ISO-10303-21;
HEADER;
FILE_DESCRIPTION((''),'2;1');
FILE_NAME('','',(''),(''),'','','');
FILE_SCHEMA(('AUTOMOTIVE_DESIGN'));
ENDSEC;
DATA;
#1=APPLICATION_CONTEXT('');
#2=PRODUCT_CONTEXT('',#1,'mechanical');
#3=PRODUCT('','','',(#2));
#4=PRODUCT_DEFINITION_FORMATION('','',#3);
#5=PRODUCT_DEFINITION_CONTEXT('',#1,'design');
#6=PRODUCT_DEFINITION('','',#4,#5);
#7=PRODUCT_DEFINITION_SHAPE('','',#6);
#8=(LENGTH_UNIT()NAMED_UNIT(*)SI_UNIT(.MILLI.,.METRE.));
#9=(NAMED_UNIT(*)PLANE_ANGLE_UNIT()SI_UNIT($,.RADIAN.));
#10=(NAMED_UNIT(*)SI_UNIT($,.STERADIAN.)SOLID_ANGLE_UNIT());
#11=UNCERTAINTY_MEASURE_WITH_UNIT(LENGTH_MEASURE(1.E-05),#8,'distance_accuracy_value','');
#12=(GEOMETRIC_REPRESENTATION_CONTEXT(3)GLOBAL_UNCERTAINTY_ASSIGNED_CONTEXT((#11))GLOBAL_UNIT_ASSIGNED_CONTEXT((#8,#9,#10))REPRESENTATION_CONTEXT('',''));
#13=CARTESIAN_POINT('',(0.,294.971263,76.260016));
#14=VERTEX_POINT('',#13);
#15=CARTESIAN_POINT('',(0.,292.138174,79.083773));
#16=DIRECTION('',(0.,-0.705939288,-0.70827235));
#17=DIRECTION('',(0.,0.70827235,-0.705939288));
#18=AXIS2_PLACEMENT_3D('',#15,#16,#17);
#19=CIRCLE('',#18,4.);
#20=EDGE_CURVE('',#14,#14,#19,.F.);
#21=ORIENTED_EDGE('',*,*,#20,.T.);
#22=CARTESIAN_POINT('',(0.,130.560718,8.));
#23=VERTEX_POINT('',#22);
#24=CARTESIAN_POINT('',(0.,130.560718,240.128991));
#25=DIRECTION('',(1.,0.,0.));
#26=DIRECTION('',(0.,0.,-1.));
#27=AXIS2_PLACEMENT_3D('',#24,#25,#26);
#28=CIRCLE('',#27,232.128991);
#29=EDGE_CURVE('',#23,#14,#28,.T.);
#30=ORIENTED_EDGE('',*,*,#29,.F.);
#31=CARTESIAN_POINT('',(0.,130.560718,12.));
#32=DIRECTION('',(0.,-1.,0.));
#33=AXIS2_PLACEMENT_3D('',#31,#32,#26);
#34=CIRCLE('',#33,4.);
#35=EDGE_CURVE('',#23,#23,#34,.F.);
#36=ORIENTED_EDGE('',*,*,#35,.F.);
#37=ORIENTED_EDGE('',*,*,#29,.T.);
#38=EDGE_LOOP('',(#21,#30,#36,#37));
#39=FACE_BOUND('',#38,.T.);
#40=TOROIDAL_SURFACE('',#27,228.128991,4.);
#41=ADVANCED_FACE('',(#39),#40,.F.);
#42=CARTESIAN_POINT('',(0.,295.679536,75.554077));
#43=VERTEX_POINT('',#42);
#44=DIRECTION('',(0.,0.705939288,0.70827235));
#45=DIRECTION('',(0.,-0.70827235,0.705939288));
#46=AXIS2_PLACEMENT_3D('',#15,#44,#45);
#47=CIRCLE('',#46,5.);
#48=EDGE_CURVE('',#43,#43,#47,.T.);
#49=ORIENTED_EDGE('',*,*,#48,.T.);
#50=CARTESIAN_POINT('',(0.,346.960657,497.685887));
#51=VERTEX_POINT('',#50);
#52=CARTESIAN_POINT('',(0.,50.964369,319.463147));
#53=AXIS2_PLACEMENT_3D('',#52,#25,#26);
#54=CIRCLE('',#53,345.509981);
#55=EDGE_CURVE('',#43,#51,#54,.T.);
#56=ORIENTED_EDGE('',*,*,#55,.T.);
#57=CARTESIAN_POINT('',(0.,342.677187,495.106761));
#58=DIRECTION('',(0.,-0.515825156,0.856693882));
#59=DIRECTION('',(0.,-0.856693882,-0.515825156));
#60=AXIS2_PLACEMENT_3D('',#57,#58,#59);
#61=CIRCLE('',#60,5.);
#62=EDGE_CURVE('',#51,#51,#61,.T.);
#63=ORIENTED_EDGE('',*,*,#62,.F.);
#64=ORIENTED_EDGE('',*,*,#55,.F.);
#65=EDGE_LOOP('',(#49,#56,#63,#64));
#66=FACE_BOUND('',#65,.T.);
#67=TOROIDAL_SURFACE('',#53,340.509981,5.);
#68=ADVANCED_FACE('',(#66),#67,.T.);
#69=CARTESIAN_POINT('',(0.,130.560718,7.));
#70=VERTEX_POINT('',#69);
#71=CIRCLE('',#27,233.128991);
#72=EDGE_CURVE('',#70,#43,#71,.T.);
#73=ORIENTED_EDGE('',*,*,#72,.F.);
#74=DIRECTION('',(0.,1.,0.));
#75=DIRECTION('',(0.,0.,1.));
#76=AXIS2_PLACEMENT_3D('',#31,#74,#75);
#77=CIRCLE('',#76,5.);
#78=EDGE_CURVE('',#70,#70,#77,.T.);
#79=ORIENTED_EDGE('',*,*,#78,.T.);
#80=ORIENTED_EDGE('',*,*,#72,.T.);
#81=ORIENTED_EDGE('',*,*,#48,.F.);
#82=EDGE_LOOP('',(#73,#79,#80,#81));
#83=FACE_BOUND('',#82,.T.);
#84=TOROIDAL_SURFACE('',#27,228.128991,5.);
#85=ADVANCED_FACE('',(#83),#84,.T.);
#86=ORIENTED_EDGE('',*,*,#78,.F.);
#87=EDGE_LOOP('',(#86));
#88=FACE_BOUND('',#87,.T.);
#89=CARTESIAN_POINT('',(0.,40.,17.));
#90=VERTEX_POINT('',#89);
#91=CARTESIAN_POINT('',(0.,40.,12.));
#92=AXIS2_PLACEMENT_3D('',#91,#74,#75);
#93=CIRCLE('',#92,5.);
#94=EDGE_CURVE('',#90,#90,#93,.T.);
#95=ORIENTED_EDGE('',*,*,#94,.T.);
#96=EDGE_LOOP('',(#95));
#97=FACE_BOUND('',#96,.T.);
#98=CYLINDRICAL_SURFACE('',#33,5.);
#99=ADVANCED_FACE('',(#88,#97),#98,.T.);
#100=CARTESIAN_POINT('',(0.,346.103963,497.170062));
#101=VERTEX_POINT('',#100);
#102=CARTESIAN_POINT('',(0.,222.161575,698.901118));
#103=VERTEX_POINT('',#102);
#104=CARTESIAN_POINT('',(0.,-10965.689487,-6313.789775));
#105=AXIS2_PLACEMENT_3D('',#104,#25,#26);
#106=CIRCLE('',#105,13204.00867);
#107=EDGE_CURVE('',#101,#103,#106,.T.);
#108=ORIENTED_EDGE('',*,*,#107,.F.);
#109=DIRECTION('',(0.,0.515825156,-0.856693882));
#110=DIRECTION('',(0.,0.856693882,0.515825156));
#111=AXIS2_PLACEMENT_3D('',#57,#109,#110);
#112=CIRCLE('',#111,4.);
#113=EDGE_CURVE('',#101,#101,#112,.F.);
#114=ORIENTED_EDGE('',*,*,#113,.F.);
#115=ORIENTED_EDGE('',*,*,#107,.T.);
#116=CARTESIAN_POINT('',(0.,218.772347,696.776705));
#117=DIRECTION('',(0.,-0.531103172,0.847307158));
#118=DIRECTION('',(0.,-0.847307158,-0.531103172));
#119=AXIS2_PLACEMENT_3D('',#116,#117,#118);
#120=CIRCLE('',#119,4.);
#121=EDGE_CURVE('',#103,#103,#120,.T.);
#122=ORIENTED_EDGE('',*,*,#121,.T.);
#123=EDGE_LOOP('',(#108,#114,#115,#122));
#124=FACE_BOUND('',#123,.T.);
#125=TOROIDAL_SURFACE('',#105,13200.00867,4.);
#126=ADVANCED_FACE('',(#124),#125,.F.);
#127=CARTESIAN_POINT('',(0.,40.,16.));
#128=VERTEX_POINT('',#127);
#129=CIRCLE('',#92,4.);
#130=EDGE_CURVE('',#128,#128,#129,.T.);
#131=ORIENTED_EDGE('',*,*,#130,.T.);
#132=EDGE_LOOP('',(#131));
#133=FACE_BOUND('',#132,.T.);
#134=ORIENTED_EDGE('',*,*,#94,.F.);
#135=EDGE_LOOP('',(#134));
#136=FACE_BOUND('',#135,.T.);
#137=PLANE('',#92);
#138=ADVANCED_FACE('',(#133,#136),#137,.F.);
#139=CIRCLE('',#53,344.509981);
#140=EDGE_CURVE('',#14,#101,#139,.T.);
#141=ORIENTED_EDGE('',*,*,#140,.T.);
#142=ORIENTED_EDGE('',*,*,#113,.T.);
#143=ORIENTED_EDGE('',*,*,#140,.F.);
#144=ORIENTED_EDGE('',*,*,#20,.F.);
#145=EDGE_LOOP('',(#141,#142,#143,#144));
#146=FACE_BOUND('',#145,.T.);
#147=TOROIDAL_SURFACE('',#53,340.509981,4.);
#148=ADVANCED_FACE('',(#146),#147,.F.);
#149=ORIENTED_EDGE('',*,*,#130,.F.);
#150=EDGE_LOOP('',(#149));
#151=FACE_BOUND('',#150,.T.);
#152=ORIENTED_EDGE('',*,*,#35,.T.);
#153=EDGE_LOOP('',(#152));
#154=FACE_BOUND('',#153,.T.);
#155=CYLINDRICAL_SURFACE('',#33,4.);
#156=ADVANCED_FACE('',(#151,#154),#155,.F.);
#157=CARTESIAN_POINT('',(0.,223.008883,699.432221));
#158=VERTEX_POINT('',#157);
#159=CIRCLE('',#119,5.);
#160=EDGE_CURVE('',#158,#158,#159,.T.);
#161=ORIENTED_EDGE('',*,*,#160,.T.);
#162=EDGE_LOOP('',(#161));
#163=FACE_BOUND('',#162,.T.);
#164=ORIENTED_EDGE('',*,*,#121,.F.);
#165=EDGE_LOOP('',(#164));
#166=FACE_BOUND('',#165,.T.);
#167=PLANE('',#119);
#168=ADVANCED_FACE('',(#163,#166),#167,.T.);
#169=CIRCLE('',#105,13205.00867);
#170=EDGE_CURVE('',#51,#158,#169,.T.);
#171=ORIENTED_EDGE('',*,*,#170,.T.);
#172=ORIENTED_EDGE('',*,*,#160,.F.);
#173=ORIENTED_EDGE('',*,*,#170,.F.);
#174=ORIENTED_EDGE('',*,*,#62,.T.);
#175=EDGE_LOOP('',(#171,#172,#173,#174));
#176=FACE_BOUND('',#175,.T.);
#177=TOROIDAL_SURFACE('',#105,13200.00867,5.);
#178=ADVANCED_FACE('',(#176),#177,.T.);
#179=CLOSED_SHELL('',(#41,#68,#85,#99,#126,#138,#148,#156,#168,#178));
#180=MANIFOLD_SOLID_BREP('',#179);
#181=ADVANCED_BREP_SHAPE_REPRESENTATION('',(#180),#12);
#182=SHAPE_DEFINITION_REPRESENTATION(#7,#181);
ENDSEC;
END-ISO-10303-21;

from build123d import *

# Parameters (mm, degrees)
CROQUIS7_R = 5
VACIADO2_T = -1


with BuildPart() as part:
    # Barrer1: sweep along a path in Croquis5
    with BuildLine(Plane(origin=(0, 0, 0), x_dir=(0, 0, -1), z_dir=(1, 0, 0))) as barrer1_path:
        Line((-12, 40), (-12, 130.560717654))
        ThreePointArc((-12, 130.560717654), (-29.437368549, 218.035724085), (-79.083773346, 292.13817386))
        ThreePointArc((-79.083773346, 292.13817386), (-278.39944529, 388.989249667), (-495.10676135, 342.677187166))
        ThreePointArc((-495.10676135, 342.677187166), (-596.219459237, 281.176799347), (-696.776704972, 218.772346732))
    # Croquis7 → Barrer1 (sweep)
    with BuildSketch(Plane(origin=(0, 40, 12), x_dir=(-1, 0, 0), z_dir=(0, 1, 0))):
        Circle(CROQUIS7_R)
    sweep(path=barrer1_path.line)

    # Vaciado2
    vaciado2_openings = [part.faces().sort_by_distance(p)[0] for p in [
        (0, 218.772346732, 696.776704972),
        (0, 40, 12),
    ]]
    offset(amount=VACIADO2_T, openings=vaciado2_openings, kind=Kind.INTERSECTION)


solid = part.part
